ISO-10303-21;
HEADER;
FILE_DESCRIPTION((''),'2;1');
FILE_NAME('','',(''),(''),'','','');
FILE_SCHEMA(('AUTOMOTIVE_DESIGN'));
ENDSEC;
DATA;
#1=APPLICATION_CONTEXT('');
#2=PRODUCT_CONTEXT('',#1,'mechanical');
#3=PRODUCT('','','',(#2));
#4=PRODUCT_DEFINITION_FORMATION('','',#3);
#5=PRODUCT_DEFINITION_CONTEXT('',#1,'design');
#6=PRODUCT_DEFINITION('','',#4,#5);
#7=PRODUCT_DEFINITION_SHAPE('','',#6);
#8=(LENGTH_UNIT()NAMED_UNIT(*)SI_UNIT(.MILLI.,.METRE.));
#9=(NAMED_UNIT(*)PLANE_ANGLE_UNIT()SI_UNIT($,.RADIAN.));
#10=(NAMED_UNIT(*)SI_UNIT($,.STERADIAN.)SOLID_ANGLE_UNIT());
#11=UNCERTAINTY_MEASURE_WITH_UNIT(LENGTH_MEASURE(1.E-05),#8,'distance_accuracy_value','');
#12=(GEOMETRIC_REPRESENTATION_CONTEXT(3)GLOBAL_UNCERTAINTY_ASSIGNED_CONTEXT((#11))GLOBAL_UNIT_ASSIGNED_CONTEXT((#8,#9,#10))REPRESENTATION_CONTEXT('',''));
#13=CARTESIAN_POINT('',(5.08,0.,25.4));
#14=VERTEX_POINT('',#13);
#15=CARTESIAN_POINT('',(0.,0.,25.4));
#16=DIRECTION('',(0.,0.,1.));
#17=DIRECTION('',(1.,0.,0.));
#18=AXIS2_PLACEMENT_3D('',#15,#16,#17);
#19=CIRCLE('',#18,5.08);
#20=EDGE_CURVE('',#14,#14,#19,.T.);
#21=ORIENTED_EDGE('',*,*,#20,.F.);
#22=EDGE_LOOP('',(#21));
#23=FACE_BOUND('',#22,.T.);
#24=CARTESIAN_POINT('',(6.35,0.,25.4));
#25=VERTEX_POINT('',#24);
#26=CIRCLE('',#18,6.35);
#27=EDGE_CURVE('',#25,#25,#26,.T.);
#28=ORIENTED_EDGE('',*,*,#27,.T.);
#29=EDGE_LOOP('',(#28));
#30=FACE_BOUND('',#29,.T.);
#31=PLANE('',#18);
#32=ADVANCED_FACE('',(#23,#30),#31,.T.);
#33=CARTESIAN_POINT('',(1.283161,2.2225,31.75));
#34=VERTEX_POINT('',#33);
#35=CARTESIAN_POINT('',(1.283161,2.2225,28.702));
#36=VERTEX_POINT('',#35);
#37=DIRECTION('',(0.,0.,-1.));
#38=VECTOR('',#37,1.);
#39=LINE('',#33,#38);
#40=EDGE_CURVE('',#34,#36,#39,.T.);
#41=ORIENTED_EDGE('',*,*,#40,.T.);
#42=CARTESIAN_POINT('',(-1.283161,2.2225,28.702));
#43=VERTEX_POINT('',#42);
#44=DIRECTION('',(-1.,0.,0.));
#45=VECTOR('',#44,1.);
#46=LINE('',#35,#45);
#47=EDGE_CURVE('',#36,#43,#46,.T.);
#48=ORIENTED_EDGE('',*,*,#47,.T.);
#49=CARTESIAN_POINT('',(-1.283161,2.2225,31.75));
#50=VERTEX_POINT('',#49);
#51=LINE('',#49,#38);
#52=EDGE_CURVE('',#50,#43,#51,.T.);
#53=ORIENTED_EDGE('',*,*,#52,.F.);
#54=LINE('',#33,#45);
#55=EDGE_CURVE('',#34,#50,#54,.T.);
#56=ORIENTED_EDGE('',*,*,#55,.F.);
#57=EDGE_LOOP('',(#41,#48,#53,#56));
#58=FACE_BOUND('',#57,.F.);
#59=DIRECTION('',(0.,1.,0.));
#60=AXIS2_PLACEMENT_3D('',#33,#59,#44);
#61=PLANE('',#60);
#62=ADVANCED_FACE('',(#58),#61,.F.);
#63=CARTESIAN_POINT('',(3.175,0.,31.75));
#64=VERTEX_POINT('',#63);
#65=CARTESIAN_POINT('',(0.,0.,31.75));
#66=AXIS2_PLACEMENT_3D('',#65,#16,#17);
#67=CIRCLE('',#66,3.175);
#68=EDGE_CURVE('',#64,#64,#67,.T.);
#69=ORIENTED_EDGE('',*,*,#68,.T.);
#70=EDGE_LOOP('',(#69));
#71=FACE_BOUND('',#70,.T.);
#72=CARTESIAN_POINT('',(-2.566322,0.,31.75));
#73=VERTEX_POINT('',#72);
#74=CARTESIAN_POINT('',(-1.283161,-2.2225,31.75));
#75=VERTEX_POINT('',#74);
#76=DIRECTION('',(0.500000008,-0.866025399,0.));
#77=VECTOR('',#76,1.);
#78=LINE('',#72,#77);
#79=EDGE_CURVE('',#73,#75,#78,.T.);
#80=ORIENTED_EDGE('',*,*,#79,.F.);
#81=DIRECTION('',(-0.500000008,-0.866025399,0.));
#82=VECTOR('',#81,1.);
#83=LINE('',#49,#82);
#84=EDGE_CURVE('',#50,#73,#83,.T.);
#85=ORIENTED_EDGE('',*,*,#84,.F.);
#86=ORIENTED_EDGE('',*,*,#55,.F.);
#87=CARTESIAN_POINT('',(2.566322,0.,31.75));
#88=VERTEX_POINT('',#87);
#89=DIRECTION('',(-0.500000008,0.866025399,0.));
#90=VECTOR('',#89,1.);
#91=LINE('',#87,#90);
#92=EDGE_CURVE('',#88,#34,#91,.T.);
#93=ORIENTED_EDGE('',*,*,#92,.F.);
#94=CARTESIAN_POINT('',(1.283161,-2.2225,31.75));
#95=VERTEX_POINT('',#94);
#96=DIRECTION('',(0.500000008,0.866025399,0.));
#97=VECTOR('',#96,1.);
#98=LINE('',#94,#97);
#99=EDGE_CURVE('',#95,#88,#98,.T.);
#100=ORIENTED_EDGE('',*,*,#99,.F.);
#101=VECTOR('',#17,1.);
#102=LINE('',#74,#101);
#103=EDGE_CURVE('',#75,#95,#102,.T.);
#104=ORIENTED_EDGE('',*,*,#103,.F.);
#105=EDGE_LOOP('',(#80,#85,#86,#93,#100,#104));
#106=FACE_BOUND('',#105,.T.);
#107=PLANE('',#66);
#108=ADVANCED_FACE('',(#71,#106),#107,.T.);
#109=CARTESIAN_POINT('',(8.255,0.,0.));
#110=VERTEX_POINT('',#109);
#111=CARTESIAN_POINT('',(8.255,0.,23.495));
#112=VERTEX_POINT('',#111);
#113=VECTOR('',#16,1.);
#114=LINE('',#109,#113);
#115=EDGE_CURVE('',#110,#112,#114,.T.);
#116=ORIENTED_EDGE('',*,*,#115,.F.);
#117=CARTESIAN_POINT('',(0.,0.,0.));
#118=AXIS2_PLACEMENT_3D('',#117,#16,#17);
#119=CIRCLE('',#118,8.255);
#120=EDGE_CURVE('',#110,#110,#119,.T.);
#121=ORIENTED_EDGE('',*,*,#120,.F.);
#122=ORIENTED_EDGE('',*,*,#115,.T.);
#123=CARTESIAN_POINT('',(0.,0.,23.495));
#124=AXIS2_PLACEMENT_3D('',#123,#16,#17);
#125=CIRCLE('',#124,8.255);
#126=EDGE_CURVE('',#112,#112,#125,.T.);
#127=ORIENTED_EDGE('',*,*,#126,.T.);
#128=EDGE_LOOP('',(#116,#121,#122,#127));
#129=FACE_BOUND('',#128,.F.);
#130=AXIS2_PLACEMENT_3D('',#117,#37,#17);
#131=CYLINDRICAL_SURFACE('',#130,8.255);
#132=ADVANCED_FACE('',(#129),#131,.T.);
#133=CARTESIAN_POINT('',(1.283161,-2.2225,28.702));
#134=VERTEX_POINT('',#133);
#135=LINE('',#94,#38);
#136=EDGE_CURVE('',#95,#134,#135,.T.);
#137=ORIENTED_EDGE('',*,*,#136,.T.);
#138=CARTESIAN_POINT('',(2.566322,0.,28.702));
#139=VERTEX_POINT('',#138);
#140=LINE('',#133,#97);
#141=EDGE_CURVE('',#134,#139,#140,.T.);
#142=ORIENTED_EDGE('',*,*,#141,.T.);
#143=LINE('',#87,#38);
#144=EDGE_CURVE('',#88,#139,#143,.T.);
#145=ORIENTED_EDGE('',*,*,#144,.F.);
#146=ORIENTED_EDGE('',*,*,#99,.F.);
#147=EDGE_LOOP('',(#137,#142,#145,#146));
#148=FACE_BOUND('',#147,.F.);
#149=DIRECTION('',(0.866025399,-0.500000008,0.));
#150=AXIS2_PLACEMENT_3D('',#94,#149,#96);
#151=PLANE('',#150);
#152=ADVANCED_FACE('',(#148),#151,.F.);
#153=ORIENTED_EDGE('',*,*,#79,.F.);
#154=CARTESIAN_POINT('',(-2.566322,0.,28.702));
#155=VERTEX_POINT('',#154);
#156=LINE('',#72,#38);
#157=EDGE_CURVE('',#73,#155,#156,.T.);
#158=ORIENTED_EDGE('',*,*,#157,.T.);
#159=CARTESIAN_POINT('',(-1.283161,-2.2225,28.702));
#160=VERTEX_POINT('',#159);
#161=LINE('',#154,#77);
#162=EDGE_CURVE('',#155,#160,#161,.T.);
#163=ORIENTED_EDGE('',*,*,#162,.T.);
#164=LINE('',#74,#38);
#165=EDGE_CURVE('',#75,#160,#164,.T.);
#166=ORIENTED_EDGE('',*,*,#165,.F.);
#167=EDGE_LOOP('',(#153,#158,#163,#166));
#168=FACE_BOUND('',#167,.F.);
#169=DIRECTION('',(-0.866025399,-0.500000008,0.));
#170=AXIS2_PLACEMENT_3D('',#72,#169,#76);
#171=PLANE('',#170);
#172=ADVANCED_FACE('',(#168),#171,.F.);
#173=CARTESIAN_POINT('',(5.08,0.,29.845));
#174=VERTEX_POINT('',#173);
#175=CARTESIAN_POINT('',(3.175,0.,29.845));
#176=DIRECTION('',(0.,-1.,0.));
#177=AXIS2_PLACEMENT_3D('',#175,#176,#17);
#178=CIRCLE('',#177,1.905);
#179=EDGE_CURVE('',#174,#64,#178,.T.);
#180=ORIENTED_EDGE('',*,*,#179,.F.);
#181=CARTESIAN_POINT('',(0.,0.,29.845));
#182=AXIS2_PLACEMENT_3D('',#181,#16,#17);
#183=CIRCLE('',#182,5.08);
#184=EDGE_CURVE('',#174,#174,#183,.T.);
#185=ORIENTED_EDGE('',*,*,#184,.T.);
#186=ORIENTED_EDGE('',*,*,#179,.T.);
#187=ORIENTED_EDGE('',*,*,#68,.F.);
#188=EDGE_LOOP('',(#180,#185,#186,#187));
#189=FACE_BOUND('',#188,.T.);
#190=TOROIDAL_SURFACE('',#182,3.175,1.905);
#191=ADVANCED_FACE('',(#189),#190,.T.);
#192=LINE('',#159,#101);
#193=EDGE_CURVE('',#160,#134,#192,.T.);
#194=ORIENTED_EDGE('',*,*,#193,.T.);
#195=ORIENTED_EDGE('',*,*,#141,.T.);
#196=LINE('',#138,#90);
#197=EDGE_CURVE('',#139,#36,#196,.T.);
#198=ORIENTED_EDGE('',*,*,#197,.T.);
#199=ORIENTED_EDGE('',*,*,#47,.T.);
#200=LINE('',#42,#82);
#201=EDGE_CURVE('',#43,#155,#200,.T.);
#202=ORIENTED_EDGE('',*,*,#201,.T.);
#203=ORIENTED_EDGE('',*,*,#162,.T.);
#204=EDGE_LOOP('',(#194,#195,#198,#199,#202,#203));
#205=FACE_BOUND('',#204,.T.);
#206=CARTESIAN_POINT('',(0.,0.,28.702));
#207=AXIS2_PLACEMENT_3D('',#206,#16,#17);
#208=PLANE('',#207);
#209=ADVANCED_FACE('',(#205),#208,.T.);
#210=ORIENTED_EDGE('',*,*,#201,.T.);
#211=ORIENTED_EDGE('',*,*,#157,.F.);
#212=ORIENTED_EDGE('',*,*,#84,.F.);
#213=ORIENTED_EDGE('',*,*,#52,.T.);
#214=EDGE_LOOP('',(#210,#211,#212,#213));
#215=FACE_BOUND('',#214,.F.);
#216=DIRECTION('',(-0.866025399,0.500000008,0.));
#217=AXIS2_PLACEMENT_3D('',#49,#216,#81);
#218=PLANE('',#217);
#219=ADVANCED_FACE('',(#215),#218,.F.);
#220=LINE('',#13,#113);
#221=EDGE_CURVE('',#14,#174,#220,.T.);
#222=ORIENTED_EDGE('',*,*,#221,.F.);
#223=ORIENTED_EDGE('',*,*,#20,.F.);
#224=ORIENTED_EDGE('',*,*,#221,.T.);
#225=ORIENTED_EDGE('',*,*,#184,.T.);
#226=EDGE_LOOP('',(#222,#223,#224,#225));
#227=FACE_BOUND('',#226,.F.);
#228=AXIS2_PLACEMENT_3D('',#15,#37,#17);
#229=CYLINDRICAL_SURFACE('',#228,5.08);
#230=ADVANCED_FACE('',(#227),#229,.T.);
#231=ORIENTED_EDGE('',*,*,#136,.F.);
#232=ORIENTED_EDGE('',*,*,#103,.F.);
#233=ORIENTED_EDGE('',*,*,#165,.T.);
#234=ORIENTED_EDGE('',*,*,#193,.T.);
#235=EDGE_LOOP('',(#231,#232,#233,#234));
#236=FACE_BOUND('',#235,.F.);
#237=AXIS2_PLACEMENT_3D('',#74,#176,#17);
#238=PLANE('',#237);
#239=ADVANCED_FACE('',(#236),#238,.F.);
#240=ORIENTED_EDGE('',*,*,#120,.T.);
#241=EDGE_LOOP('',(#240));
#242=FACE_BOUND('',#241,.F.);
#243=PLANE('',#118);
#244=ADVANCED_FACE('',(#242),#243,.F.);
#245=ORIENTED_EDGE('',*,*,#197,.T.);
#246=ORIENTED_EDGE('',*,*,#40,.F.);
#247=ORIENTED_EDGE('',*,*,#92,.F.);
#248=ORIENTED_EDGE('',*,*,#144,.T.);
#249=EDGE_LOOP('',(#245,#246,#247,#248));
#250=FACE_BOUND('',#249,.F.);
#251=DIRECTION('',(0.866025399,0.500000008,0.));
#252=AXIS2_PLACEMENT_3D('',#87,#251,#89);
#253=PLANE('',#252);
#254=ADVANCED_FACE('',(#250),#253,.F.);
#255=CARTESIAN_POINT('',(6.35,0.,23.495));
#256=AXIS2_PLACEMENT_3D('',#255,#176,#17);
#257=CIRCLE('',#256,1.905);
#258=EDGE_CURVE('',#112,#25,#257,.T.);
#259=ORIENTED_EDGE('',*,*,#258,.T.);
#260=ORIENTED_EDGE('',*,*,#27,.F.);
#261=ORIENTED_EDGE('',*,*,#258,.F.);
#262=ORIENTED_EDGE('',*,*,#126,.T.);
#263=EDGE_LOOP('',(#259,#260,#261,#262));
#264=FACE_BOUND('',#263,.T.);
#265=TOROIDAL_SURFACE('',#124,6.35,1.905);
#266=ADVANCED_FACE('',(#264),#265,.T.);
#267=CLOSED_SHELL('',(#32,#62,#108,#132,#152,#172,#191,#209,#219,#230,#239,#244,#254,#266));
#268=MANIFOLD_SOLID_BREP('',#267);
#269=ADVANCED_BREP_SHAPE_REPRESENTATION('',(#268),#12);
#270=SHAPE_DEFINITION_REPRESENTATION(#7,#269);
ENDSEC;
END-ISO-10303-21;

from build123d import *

# Parameters (mm, degrees)
F0_R     = 8.255
F1_DEPTH = 25.4
F2_R     = 5.08
F3_DEPTH = 6.35
F5_DEPTH = 3.048
F6_R     = 1.905


with BuildPart() as f1:
    # F0 (on Top) → F1 (new body)
    with BuildSketch(Plane.XY):
        Circle(F0_R)
    extrude(amount=F1_DEPTH)

    # F2 (on face) → F3 (join)
    with BuildSketch(Plane.XY.offset(25.4)):
        Circle(F2_R)
    extrude(amount=F3_DEPTH)

    # F4 (on face) → F5 (cut)
    with BuildSketch(Plane.XY.offset(31.75)):
        Polygon((1.283161, 2.2225), (-1.283161, 2.2225), (-2.566322, 0), (-1.283161, -2.2225), (1.283161, -2.2225), (2.566322, 0), align=None)
    extrude(amount=-F5_DEPTH, mode=Mode.SUBTRACT)

    # F6
    f6_edges = [f1.edges().sort_by_distance(p)[0] for p in [
        (-8.255, 0, 25.4),
        (-5.08, 0, 31.75),
    ]]
    fillet(f6_edges, radius=F6_R)


solid = f1.part
